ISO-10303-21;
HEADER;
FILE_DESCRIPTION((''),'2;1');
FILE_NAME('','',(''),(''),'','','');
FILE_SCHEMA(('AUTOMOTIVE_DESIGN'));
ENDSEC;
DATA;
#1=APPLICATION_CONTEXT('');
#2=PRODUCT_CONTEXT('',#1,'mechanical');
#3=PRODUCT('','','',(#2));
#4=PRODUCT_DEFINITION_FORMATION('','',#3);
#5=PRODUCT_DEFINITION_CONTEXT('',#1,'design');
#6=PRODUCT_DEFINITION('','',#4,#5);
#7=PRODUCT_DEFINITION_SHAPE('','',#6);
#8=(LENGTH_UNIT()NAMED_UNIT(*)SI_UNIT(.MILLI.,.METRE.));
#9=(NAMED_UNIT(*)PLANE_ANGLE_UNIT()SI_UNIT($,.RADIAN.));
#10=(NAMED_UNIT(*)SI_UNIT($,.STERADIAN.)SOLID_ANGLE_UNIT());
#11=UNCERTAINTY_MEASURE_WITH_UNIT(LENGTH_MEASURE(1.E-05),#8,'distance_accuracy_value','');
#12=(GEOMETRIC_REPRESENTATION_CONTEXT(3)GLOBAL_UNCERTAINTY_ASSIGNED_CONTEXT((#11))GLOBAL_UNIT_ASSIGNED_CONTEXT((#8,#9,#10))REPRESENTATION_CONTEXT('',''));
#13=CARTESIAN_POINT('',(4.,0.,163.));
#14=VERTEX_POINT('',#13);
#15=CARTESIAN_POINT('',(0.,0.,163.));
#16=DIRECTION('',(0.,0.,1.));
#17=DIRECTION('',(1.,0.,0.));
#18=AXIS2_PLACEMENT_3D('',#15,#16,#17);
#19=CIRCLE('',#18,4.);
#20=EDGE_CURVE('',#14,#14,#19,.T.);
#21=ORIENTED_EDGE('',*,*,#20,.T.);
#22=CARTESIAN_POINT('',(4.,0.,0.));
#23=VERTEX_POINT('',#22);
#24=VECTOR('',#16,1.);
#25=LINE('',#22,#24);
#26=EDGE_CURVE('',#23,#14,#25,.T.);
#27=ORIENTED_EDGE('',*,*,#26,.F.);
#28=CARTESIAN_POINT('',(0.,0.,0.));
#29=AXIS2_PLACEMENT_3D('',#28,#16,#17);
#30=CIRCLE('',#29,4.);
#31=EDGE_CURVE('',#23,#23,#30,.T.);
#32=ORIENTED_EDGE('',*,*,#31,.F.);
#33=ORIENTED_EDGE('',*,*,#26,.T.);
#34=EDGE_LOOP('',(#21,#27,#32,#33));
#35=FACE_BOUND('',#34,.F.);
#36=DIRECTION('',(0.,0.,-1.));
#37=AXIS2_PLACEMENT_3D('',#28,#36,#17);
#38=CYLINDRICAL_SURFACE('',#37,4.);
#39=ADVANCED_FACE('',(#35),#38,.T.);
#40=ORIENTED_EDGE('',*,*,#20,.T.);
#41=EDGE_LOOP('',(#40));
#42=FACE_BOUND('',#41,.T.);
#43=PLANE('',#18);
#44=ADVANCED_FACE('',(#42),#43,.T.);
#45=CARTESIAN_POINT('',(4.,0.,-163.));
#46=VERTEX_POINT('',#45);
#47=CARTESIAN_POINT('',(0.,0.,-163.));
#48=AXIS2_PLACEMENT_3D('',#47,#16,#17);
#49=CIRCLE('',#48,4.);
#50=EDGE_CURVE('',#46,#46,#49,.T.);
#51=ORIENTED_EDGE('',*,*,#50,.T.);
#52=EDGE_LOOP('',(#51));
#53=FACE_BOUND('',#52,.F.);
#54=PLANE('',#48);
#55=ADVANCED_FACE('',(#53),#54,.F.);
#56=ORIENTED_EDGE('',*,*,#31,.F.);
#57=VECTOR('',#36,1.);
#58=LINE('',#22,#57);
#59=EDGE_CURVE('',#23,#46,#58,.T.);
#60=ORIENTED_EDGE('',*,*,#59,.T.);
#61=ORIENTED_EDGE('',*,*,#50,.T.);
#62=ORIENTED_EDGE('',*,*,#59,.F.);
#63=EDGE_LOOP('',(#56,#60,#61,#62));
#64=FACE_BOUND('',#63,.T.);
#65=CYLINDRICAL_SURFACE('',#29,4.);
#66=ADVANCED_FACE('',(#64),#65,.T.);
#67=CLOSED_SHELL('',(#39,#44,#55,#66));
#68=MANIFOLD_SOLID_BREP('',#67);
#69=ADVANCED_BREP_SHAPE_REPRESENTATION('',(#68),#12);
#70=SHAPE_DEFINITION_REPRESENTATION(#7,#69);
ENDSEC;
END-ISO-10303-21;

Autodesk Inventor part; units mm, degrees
ref_plane "YZ Plane" through (0, 0, 0) normal (1, 0, 0) x (0, 1, 0)
ref_plane "XZ Plane" through (0, 0, 0) normal (0, 1, 0) x (-1, 0, 0)
ref_plane "XY Plane" through (0, 0, 0) normal (0, 0, 1) x (1, 0, 0)
sketch "Sketch1" plane through (0, 0, 0) normal (0, 0, 1) x (1, 0, 0)
  circle A0 centre (0, 0) radius 4
  dimension "d0" = 8
extrude "Extrusion1" add sketch "Sketch1" along normal mid plane 326
properties part number "Y-Akse til glider"
